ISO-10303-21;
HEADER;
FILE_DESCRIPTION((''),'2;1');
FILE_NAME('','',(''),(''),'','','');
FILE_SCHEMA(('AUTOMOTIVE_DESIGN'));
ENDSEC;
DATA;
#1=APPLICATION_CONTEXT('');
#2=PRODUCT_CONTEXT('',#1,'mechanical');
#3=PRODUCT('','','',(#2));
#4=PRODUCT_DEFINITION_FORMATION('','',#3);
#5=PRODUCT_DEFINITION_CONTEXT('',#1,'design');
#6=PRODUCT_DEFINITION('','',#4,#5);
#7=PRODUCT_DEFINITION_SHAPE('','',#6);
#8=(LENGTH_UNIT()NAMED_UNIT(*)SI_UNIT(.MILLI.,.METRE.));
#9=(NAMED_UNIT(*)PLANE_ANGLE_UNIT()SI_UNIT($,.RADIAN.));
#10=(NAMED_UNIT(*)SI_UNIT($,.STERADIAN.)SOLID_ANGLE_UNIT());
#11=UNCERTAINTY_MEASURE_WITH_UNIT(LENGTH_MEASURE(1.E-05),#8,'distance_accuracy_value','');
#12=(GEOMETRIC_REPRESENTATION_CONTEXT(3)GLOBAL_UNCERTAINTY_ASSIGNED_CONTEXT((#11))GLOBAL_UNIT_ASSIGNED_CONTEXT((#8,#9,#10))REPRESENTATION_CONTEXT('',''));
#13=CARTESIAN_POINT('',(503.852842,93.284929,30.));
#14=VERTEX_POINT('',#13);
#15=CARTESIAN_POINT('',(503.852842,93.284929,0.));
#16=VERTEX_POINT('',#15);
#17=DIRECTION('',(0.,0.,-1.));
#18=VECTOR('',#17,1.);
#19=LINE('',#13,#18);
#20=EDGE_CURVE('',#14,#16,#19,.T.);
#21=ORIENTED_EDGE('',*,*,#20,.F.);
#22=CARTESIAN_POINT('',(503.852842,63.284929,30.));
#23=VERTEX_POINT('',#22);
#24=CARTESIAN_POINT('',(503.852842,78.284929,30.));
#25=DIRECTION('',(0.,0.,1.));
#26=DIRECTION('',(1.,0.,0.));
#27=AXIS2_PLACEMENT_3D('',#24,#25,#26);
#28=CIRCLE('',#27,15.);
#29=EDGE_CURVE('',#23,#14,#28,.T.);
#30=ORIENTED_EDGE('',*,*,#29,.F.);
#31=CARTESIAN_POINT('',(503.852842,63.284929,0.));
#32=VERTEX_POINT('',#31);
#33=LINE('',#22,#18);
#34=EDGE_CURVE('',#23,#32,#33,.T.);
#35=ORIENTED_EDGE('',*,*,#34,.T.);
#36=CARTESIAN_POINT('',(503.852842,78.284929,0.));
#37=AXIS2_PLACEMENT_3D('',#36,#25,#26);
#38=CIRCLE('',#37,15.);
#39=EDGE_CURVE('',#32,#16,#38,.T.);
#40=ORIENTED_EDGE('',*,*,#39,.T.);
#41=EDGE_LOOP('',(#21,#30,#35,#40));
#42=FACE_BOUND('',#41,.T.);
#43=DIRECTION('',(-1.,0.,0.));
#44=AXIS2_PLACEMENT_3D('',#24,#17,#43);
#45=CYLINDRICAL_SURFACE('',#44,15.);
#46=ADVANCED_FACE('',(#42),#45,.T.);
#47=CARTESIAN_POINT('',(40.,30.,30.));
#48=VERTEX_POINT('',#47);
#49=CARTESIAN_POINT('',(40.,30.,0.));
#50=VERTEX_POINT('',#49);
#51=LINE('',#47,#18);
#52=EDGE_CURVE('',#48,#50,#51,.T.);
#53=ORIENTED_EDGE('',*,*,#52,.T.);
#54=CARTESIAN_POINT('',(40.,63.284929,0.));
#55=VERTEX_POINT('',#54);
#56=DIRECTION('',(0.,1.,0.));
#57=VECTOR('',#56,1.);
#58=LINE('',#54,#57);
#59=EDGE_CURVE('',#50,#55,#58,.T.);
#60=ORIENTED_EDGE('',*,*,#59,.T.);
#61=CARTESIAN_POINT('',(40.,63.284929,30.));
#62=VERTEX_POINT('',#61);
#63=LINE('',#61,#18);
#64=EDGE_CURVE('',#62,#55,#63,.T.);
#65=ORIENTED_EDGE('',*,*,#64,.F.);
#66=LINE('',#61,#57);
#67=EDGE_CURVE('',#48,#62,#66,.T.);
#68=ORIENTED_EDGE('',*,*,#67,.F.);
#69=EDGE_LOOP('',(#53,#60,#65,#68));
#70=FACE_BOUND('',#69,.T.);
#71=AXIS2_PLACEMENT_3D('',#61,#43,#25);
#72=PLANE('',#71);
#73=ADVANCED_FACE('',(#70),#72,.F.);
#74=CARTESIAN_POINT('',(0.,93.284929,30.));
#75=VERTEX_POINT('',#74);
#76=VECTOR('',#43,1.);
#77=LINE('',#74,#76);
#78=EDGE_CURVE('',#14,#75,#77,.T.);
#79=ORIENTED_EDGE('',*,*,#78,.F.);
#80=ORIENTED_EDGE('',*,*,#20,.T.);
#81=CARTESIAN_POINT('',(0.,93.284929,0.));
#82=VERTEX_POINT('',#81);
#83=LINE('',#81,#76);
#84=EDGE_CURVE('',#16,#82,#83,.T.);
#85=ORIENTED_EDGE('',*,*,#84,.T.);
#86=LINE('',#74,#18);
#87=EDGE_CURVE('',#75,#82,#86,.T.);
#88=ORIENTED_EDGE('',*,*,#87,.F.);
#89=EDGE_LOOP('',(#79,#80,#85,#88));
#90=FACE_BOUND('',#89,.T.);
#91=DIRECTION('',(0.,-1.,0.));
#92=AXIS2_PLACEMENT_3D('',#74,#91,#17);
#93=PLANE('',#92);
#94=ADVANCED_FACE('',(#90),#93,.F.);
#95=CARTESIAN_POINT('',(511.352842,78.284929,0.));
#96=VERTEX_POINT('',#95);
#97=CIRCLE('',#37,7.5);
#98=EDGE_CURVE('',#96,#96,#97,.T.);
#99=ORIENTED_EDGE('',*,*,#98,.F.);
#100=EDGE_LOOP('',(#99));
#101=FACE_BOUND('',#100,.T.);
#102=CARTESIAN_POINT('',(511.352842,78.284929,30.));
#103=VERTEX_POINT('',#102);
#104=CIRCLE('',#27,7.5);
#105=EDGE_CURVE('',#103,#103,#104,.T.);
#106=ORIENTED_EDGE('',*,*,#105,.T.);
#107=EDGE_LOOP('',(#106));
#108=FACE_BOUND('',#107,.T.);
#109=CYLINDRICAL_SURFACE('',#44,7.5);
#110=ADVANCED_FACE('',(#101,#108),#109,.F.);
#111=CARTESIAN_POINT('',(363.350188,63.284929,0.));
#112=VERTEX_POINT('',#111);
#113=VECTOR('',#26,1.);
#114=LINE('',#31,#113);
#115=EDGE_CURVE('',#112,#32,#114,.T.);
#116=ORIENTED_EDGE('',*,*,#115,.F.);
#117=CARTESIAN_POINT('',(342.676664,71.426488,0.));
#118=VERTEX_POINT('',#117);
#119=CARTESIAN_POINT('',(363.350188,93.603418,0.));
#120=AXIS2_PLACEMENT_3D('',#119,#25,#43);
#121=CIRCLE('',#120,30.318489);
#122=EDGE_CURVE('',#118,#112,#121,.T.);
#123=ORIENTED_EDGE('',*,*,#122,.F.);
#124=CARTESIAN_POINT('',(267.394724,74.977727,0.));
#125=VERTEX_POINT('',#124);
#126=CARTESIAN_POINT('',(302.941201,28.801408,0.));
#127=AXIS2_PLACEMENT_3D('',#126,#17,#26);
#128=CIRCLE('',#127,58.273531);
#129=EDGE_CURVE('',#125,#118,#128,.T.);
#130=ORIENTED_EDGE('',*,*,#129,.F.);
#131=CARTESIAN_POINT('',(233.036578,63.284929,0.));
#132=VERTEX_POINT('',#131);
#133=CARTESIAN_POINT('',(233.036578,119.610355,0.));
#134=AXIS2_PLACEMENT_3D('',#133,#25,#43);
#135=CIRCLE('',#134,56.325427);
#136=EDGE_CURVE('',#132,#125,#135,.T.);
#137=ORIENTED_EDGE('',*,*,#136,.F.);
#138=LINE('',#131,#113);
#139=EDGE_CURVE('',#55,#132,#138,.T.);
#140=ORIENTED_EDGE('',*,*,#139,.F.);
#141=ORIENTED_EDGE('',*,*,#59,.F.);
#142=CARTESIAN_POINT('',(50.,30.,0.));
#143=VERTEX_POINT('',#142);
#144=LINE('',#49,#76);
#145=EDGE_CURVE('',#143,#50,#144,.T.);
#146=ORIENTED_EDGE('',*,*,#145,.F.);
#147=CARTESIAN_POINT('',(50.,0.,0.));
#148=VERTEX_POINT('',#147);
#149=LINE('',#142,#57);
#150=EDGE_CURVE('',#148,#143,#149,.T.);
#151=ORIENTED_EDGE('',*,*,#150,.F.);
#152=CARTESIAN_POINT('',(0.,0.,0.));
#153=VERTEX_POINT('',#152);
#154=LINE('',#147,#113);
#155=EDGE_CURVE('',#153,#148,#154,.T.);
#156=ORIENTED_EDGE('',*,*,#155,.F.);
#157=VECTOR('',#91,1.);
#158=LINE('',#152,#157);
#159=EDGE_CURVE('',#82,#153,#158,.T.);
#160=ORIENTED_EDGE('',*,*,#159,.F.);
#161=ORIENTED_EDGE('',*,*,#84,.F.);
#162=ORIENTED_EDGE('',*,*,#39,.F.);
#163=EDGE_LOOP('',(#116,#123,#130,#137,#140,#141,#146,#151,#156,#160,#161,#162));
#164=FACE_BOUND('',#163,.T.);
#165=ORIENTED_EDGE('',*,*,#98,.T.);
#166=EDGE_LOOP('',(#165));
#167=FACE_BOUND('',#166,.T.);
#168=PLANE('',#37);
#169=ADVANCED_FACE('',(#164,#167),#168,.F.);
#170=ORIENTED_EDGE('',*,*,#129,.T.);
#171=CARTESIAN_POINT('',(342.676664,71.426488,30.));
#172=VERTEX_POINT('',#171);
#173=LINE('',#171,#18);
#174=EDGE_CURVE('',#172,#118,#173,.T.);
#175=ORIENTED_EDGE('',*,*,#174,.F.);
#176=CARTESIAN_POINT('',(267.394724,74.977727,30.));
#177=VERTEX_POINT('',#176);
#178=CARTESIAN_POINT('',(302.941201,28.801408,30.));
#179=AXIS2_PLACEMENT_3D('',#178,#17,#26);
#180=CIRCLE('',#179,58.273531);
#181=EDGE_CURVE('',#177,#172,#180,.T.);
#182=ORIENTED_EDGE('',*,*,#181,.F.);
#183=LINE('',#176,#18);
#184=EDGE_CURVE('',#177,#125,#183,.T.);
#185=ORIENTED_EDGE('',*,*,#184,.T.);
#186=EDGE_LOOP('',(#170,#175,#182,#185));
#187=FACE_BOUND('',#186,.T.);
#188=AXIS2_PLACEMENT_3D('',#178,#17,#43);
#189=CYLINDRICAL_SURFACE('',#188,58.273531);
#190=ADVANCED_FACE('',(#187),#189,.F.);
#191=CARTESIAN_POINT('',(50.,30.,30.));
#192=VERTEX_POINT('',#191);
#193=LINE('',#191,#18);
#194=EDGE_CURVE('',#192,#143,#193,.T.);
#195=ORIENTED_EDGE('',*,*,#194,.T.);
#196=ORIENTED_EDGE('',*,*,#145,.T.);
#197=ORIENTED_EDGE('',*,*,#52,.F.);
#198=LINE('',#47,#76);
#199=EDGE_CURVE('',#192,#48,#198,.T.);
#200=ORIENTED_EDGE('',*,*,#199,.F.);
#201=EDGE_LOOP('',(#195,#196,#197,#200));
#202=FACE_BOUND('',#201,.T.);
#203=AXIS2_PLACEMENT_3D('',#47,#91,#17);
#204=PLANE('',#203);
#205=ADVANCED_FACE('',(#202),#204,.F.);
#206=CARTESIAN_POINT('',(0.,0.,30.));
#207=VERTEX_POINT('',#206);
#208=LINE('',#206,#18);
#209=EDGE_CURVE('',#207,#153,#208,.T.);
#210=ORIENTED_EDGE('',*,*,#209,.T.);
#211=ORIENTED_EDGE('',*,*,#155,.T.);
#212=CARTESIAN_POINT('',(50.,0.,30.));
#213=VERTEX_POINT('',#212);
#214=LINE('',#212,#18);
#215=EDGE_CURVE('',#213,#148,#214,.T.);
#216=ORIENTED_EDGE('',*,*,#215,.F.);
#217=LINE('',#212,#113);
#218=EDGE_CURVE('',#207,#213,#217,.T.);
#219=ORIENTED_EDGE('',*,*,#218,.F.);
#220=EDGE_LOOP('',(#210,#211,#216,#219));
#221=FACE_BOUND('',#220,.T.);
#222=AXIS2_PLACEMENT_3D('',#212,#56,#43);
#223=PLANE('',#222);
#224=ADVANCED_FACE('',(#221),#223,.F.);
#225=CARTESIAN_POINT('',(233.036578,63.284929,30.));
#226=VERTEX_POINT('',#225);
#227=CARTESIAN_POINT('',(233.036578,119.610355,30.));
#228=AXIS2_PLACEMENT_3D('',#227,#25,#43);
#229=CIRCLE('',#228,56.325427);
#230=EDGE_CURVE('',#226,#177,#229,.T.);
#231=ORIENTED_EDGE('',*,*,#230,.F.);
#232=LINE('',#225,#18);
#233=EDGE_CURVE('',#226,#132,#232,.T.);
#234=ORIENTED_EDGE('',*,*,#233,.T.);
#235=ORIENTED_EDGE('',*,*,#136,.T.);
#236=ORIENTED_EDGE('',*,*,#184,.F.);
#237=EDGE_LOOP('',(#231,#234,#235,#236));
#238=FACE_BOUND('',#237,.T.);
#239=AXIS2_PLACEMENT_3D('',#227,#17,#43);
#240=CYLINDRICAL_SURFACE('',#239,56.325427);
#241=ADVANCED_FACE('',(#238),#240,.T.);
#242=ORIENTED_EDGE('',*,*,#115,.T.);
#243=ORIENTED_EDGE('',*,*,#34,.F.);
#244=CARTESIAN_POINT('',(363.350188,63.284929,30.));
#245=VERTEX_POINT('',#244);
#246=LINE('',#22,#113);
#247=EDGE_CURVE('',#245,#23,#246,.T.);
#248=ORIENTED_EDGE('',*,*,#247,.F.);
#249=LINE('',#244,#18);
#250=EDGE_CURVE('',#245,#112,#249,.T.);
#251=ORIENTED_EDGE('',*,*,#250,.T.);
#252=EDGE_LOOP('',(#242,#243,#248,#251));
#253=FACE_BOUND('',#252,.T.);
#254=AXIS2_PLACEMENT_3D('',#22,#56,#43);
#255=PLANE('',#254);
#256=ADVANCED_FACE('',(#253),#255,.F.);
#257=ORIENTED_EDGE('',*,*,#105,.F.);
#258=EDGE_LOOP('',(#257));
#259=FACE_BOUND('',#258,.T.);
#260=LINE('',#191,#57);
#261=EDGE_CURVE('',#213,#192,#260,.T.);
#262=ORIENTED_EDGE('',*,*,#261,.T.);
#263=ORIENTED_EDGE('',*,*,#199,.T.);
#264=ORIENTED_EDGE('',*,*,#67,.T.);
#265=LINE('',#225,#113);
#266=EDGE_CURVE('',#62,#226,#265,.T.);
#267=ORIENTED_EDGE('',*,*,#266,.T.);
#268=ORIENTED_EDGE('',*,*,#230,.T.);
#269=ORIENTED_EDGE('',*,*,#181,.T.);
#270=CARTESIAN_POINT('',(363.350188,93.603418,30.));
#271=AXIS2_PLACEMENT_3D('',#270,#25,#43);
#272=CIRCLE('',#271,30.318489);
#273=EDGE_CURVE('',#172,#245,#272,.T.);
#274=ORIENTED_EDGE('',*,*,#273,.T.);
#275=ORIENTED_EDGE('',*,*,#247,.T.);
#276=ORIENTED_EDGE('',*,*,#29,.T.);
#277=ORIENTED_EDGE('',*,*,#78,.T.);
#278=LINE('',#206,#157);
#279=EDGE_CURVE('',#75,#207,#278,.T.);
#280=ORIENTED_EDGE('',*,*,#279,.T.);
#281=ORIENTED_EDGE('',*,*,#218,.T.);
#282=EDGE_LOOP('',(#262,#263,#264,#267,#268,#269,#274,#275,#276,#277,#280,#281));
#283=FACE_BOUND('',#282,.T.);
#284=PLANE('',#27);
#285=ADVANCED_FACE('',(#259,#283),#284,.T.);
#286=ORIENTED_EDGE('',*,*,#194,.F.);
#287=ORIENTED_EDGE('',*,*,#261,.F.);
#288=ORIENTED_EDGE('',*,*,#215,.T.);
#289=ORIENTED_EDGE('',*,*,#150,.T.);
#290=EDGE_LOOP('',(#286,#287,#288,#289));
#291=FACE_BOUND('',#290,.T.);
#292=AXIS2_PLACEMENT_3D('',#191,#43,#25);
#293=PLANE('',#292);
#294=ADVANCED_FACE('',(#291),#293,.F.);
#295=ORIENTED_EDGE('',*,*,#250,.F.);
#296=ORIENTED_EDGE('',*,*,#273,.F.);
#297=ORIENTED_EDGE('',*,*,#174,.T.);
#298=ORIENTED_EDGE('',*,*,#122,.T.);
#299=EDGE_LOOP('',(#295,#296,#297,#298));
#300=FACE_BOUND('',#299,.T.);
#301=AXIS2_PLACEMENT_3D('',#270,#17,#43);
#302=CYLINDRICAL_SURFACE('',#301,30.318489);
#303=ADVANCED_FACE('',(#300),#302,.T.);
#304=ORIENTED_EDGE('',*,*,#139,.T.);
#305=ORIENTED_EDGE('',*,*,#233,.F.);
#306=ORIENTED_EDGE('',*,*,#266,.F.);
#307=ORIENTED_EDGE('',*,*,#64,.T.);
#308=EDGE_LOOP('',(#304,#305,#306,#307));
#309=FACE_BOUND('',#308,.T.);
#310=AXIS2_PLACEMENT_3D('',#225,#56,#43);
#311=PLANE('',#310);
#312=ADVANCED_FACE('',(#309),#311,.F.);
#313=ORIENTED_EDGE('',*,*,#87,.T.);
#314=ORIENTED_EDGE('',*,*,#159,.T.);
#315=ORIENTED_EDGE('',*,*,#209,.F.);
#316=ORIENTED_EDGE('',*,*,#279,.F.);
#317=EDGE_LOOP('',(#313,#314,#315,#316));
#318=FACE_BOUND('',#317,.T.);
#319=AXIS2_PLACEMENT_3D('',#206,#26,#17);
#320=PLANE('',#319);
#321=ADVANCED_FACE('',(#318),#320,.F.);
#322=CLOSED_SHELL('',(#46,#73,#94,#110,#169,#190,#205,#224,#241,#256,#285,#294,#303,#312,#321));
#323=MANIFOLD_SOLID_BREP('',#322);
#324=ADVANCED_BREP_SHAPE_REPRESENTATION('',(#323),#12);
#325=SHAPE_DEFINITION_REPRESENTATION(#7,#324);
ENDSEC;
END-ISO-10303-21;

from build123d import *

# Parameters (mm, degrees)
SKETCH1_R           = 7.5
BOSS_EXTRUDE1_DEPTH = 30


with BuildPart() as part:
    # Sketch1 → Boss-Extrude1 (new body)
    with BuildSketch(Plane.XY):
        with BuildLine():
            Line((50, 0), (0, 0))
            Line((0, 0), (0, 93.284928504))
            Line((0, 93.284928504), (503.852842171, 93.284928504))
            ThreePointArc((503.852842171, 93.284928504), (518.852842171, 78.284928504), (503.852842171, 63.284928504))
            Line((503.852842171, 63.284928504), (363.350187842, 63.284928504))
            ThreePointArc((363.350187842, 63.284928504), (352.240737336, 65.393651705), (342.676664352, 71.426487861))
            ThreePointArc((342.676664352, 71.426487861), (305.687057236, 87.010211012), (267.394723934, 74.977726972))
            ThreePointArc((267.394723934, 74.977726972), (251.183228702, 66.288195069), (233.036577983, 63.284928504))
            Line((233.036577983, 63.284928504), (40, 63.284928504))
            Line((40, 63.284928504), (40, 30))
            Line((40, 30), (50, 30))
            Line((50, 30), (50, 0))
        make_face()
        with Locations((503.852842171, 78.284928504)):
            Circle(SKETCH1_R, mode=Mode.SUBTRACT)
    extrude(amount=BOSS_EXTRUDE1_DEPTH)


solid = part.part
